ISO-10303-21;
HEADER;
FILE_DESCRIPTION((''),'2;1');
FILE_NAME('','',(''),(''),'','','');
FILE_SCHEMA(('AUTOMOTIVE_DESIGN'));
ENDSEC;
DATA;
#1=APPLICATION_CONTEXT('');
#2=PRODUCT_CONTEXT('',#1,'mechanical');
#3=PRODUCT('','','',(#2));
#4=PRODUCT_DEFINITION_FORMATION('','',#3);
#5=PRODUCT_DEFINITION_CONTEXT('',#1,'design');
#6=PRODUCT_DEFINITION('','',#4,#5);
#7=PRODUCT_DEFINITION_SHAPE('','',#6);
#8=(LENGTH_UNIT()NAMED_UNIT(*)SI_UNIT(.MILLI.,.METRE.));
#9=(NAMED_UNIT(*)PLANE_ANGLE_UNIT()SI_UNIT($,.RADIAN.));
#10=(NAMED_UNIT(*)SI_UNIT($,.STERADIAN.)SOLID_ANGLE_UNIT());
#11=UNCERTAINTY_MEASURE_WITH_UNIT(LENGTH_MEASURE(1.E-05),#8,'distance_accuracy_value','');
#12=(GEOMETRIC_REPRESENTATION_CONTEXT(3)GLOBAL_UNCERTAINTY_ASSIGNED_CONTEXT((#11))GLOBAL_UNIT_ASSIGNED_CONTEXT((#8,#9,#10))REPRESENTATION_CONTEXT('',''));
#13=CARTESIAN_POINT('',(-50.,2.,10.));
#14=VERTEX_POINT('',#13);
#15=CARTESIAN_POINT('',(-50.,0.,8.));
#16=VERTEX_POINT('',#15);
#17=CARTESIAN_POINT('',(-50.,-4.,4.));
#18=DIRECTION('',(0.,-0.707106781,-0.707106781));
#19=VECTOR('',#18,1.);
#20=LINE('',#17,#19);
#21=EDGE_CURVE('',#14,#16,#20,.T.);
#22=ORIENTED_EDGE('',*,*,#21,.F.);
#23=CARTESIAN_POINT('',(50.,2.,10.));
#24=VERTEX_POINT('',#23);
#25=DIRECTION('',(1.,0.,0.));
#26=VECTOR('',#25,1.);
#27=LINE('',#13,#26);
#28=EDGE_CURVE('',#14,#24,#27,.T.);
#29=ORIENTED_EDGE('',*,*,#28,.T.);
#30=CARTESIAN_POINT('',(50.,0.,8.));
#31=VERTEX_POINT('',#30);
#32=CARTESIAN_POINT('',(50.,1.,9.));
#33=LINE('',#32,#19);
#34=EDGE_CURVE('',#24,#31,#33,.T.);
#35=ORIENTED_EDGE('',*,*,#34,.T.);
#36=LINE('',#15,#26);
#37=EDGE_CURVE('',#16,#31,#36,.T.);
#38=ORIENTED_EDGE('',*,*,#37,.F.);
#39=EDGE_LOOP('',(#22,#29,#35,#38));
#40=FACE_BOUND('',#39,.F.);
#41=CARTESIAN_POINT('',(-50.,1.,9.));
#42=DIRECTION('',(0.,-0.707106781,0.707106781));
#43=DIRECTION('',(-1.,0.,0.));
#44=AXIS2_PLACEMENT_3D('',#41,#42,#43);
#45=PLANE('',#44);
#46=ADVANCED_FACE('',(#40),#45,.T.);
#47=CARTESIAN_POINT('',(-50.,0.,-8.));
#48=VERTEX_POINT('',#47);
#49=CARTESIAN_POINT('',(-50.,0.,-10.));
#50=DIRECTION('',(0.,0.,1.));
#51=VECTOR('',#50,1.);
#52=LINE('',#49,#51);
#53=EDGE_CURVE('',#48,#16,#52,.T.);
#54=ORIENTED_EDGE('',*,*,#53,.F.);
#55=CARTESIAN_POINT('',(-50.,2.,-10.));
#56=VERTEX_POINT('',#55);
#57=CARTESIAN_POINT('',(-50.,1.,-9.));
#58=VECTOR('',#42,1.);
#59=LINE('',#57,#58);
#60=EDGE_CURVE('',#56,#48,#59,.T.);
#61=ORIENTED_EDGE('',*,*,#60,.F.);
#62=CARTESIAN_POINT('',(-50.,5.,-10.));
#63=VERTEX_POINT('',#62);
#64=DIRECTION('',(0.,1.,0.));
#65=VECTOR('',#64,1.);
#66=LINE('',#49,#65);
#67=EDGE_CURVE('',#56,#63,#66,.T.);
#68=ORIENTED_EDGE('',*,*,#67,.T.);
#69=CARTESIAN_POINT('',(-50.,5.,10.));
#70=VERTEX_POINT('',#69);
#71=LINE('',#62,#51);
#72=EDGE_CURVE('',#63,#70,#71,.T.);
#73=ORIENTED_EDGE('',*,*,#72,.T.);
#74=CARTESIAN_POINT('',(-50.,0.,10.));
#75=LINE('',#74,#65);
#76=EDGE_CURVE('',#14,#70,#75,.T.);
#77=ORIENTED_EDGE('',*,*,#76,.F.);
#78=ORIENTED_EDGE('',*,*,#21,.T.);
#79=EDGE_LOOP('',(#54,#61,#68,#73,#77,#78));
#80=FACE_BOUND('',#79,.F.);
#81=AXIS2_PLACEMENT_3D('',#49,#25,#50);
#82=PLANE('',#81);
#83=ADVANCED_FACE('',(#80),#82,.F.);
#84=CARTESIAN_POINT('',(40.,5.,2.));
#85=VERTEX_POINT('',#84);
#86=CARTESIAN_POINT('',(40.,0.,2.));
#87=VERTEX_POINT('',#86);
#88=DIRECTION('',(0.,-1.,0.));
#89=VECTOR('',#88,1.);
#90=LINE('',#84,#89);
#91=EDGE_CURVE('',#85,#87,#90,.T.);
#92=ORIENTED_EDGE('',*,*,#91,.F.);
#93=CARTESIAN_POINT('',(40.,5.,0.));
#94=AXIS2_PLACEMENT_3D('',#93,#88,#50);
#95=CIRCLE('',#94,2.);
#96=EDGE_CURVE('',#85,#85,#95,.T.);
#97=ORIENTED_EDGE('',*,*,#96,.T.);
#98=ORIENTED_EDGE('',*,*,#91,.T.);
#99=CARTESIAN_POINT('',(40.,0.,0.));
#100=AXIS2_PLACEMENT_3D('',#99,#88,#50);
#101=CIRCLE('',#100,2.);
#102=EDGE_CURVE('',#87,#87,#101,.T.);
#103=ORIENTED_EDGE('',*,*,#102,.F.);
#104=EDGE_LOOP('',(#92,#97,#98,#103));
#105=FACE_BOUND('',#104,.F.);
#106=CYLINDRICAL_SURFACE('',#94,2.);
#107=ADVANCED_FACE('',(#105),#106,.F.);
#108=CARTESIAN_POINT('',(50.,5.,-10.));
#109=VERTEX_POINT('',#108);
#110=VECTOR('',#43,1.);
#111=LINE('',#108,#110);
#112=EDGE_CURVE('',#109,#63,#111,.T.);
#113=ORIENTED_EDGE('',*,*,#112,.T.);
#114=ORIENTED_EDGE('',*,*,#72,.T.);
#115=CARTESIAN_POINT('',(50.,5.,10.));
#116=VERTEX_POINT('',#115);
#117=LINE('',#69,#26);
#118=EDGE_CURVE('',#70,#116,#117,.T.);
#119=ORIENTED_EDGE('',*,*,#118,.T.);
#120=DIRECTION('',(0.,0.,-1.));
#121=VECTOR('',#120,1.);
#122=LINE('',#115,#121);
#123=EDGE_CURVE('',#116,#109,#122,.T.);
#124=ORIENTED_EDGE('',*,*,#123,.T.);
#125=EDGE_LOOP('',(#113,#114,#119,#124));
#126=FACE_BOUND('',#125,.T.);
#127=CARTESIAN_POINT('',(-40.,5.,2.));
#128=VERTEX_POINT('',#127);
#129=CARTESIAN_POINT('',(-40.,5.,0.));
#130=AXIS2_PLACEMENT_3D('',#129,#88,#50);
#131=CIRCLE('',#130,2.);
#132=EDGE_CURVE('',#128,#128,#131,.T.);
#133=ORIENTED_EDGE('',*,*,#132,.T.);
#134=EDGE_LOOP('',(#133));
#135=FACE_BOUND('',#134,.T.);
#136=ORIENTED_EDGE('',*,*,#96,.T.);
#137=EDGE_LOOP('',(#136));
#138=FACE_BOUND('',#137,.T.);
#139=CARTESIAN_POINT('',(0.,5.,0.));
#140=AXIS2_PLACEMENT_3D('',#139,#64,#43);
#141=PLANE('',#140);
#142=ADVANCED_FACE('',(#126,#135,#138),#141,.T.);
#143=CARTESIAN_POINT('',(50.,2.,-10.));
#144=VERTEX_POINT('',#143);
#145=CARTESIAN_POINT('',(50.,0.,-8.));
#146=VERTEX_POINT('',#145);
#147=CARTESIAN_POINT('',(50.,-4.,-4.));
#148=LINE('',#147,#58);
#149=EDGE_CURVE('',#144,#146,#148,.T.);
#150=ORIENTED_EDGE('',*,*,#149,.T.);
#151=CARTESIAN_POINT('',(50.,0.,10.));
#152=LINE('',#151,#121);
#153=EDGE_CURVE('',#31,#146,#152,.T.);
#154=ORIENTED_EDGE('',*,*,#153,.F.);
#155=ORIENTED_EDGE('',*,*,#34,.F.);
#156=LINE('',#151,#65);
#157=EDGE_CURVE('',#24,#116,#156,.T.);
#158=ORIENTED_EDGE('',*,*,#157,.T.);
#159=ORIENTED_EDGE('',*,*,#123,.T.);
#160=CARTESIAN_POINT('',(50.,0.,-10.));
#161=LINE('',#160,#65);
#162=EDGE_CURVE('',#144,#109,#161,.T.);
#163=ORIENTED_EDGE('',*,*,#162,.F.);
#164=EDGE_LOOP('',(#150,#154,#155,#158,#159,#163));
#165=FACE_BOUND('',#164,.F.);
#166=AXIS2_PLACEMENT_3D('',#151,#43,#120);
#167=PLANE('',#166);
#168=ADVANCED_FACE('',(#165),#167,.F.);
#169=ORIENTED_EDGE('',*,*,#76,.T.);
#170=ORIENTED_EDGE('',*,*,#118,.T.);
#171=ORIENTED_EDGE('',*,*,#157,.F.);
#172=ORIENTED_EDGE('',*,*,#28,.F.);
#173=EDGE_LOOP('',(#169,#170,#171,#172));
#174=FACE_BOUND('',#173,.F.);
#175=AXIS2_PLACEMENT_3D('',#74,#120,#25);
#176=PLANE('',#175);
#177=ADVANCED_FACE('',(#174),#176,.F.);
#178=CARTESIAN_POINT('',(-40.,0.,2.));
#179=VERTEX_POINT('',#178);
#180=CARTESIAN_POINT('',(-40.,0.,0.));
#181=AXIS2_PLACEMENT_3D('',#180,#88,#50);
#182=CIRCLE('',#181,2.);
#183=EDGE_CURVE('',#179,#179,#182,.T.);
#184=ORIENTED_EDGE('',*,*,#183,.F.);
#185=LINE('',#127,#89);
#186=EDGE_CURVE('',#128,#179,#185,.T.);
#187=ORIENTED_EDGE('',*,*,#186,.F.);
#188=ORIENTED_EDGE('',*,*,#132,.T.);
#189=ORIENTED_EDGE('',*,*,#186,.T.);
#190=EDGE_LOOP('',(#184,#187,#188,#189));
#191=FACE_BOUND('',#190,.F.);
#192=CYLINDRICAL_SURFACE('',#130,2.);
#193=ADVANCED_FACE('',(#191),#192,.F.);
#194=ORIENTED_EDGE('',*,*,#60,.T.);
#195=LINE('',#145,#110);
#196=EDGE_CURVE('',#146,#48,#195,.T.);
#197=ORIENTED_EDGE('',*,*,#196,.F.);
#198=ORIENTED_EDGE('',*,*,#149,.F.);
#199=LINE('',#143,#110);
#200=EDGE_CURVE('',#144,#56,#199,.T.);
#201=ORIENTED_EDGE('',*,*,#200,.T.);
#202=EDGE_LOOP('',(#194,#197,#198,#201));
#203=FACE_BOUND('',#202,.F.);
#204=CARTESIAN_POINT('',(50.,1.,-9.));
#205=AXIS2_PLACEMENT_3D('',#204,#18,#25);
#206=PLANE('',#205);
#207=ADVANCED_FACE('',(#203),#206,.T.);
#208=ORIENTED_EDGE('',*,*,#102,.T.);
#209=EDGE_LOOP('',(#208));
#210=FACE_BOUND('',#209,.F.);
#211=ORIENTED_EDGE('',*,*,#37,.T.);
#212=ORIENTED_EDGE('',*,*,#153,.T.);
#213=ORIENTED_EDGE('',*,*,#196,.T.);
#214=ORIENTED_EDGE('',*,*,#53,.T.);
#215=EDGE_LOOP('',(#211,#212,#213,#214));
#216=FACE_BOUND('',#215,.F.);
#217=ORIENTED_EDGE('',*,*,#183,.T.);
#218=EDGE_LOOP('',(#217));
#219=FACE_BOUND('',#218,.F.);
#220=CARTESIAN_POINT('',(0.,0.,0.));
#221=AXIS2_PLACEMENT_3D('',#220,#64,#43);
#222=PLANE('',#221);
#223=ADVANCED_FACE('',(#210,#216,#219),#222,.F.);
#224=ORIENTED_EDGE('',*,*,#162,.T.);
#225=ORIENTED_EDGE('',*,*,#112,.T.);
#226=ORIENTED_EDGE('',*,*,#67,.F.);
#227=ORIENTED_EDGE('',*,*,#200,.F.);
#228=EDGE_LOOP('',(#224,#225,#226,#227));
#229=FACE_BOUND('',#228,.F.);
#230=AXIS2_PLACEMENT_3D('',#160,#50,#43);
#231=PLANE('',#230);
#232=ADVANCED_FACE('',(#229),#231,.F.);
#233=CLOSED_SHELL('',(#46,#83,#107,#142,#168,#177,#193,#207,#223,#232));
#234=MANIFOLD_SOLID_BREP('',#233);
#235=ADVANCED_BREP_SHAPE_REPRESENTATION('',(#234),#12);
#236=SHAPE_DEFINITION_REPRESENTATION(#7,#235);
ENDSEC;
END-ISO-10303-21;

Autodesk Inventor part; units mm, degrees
ref_plane "YZ Plane" through (0, 0, 0) normal (1, 0, 0) x (0, 1, 0)
ref_plane "XZ Plane" through (0, 0, 0) normal (0, 1, 0) x (-1, 0, 0)
ref_plane "XY Plane" through (0, 0, 0) normal (0, 0, 1) x (1, 0, 0)
sketch "Sketch1" plane through (0, 0, 0) normal (0, 1, 0) x (-1, 0, 0)
  line L0 (-50, -10) -> (50, -10)
  line L1 (50, -10) -> (50, 10)
  line L2 (50, 10) -> (-50, 10)
  line L3 (-50, 10) -> (-50, -10)
  line L4 (-50, -10) -> (50, 10) construction
  line L5 (50, -10) -> (-50, 10) construction
  point P0 (0, 0)
  dimension "d0" = 100
  dimension "d1" = 20
extrude "Extrusion1" add sketch "Sketch1" along normal blind 5
sketch "Sketch2" plane through (0, 5, 0) normal (0, 1, 0) x (1, 0, 0)
  line L0 (-50, 10) -> (-50, -10) projected
  line L1 (-50, 0) -> (-40, 0)
  line L2 (50, -10) -> (50, 10) projected
  line L3 (50, 0) -> (40, 0)
  point P0 (0, 0)
  dimension "d4" = 10
  dimension "d5" = 10
hole "Hole1" at (-40, 5, 0) direction (0, -1, 0) diameter 4 depth 6
hole "Hole2" at (40, 5, 0) direction (0, -1, 0) diameter 4 depth 6
chamfer "Chamfer1" distance 2 angle 45 2 edges at (0, 0, 10) (0, 0, -10)
thread "Thread1" size "M4x0.7" class "6H" standard "ANSI Metric M Profile" length 5
thread "Thread2" size "M4x0.7" class "6H" standard "ANSI Metric M Profile" length 5
properties part number "Rail stand"
